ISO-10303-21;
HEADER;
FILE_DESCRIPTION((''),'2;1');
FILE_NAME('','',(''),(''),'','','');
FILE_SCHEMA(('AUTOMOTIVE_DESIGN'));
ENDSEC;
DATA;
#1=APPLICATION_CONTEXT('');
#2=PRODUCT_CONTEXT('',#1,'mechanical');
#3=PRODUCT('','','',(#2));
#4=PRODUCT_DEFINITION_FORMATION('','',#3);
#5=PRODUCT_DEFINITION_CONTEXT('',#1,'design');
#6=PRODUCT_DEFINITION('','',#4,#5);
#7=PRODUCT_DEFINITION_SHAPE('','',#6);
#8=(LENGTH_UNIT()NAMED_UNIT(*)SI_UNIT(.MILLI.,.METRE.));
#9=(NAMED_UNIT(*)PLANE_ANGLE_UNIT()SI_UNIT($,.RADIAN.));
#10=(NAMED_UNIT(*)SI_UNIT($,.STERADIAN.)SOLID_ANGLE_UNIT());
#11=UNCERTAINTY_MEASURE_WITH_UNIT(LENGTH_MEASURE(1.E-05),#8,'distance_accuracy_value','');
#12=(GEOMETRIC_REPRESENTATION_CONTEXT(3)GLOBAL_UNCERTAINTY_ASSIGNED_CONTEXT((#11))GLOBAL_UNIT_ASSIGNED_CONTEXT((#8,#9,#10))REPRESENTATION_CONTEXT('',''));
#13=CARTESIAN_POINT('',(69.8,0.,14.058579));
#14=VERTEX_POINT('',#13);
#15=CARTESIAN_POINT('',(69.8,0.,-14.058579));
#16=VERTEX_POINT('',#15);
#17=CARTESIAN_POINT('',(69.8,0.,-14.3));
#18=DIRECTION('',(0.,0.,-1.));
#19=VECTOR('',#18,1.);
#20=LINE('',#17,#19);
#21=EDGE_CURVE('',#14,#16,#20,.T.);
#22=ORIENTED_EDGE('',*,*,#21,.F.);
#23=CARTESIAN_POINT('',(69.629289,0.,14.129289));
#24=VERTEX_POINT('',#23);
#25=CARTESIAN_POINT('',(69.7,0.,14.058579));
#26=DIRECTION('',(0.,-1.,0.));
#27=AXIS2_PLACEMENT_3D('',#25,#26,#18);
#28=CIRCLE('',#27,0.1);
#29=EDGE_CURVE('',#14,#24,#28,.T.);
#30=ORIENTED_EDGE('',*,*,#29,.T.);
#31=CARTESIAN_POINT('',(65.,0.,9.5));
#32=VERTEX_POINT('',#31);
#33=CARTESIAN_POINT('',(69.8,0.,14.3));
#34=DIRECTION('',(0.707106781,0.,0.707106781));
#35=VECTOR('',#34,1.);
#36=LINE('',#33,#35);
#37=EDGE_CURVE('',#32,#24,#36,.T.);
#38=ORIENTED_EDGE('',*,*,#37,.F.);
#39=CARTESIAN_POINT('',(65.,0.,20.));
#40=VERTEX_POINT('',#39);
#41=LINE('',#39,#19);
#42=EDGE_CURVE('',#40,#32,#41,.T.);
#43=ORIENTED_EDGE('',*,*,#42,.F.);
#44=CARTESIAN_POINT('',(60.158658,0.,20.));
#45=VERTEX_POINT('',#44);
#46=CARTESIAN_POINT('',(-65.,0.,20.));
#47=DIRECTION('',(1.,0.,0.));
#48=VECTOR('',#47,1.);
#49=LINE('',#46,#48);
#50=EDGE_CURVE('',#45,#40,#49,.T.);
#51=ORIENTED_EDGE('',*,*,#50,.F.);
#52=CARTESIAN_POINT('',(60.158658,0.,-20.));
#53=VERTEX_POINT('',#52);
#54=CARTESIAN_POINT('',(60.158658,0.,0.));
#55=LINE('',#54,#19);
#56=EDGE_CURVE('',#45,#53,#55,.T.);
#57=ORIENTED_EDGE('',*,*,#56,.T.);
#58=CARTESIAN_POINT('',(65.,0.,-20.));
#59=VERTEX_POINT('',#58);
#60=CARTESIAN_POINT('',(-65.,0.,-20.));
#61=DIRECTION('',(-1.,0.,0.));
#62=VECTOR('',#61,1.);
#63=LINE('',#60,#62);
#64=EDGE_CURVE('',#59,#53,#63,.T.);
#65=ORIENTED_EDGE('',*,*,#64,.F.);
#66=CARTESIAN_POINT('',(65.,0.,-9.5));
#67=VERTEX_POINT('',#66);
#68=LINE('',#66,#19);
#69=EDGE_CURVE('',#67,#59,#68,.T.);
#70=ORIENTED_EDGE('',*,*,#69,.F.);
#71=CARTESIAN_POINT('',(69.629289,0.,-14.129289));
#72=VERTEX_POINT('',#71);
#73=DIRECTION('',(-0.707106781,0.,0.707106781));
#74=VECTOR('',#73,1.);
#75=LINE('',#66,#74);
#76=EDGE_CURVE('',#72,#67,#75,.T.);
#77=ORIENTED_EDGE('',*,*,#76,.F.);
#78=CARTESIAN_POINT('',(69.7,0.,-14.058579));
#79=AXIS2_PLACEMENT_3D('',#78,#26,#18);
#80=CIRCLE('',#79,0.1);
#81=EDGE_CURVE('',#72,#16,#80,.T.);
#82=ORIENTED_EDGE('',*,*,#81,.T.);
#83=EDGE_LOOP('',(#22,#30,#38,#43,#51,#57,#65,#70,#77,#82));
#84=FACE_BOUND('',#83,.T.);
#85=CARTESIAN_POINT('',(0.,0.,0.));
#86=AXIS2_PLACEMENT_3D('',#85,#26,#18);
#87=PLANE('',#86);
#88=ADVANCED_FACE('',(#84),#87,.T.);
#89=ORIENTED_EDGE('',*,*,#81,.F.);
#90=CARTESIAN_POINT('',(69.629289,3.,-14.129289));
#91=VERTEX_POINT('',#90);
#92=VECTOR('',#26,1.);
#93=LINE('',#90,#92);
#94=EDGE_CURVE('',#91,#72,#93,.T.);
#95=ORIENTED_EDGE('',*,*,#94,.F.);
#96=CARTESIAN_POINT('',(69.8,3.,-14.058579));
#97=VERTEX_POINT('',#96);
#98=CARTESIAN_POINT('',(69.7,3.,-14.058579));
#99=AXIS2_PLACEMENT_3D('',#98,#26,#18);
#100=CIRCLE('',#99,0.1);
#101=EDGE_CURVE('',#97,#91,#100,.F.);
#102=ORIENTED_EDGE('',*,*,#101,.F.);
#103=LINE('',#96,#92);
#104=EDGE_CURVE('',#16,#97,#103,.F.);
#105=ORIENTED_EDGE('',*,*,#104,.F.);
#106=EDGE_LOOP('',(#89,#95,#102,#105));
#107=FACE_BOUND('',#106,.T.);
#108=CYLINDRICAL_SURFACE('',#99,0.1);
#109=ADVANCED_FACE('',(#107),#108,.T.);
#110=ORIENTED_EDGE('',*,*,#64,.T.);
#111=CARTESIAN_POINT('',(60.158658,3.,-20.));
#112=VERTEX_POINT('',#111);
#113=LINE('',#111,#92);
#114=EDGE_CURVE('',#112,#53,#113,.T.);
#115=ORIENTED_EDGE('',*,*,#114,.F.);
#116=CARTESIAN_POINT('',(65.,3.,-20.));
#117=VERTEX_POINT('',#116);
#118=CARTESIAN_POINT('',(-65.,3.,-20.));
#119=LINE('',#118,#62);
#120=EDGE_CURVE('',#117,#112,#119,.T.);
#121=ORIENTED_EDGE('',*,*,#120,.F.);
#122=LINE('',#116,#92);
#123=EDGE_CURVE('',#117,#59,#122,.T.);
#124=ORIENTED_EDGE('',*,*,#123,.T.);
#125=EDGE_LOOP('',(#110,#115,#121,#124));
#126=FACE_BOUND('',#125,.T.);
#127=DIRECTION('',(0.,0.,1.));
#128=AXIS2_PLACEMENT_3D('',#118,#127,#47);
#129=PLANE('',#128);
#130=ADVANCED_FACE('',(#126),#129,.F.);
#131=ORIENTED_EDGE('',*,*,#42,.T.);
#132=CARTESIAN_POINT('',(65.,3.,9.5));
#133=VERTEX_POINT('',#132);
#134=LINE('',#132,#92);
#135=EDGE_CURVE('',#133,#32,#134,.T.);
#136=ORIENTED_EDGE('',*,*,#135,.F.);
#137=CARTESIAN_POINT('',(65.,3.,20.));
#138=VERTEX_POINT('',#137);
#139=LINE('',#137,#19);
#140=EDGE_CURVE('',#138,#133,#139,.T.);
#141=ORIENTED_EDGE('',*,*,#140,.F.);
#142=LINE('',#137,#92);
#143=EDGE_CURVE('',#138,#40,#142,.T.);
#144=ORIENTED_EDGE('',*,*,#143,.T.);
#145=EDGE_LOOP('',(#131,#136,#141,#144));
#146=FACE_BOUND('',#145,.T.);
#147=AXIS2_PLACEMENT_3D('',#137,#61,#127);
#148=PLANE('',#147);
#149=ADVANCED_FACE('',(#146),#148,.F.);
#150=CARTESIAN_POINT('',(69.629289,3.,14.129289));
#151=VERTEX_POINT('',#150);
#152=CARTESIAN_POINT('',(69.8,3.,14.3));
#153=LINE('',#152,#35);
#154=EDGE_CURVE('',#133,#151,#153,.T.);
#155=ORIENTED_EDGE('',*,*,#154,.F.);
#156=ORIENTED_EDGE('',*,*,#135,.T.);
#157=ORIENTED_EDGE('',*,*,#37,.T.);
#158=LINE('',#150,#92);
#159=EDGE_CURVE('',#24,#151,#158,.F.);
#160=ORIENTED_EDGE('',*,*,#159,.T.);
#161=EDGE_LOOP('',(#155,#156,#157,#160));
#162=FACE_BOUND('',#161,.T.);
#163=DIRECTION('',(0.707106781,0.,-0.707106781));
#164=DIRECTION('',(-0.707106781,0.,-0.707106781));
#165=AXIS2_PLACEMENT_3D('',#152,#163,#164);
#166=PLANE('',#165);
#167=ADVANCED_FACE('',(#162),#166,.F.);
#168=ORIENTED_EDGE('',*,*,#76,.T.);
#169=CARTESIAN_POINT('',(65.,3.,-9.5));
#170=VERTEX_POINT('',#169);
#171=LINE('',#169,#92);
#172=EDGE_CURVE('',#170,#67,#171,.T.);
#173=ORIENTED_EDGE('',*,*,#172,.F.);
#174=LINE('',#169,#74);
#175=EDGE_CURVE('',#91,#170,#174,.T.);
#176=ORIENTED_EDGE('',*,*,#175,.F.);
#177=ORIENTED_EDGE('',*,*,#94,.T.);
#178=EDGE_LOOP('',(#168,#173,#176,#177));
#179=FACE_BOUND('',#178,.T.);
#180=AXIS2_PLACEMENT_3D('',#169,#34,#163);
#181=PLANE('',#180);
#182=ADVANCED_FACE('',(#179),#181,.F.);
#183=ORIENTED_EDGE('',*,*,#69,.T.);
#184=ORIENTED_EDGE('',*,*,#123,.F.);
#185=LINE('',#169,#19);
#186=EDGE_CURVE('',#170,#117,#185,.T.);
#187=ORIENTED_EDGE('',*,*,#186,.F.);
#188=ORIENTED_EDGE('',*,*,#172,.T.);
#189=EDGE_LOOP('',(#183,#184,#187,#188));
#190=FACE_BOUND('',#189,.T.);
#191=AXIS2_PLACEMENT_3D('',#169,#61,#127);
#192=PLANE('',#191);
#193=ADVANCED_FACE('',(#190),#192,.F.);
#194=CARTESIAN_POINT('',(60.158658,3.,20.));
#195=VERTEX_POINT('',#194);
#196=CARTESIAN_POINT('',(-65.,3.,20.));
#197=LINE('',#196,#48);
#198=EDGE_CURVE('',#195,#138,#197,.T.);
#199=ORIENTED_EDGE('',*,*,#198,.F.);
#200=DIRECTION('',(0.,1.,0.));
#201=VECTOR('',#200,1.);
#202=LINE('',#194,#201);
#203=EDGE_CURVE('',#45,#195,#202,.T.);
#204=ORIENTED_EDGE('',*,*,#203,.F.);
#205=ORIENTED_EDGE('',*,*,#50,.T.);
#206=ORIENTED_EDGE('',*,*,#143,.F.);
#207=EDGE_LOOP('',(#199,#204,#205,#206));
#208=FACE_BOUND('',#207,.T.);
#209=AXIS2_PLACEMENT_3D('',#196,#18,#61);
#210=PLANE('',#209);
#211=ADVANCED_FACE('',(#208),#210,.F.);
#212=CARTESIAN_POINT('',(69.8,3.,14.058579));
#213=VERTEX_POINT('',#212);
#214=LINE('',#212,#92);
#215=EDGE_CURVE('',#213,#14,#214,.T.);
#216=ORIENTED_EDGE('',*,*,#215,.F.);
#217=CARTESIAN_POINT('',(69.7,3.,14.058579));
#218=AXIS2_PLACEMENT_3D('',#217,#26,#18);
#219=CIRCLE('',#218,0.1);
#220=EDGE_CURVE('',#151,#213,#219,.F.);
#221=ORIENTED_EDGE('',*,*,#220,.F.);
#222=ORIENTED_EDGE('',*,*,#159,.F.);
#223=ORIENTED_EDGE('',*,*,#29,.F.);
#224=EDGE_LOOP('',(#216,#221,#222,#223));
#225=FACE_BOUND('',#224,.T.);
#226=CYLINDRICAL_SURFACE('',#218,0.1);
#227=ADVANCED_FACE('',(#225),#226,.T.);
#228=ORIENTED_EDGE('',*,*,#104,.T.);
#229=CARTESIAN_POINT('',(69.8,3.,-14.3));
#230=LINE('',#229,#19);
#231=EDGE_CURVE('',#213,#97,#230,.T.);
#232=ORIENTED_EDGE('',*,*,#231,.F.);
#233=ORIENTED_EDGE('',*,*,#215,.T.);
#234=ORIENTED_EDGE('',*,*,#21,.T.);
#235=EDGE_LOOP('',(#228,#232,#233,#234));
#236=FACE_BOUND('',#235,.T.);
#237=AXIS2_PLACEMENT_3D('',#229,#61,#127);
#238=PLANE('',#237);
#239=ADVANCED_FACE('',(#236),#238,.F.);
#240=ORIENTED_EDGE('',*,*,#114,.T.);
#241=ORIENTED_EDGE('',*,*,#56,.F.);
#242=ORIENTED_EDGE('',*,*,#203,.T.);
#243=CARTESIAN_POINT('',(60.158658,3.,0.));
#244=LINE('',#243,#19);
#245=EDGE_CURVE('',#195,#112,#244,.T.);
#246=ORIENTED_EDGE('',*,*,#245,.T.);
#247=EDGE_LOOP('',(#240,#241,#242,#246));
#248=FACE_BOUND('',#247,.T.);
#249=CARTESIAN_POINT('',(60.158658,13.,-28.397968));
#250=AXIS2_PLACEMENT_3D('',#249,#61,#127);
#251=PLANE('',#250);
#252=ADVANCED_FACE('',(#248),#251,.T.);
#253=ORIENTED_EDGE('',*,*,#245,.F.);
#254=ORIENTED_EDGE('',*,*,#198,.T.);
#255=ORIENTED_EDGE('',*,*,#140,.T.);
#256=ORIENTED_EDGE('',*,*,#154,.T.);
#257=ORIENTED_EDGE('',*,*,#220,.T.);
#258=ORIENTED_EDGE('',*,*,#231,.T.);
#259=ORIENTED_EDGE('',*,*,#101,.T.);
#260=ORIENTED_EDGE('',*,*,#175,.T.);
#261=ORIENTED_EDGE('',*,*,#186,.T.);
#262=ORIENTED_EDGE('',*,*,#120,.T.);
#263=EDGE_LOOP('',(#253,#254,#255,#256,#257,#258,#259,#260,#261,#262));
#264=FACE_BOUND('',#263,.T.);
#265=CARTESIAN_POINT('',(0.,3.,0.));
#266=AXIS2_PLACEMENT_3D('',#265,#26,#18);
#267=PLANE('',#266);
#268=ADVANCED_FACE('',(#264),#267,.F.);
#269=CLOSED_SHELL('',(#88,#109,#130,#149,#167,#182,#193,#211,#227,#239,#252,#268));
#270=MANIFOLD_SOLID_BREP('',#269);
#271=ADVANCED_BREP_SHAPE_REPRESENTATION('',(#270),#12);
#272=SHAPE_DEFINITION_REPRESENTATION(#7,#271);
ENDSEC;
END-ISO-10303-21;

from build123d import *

# Parameters (mm, degrees)
CROQUIS1_R                 = 11
CROQUIS1_R_2               = 2
CROQUIS1_W                 = 30
CROQUIS1_H                 = 3
SALIENTE_EXTRUIR1_DEPTH    = 3
CROQUIS2_R                 = 13
CROQUIS2_R_2               = 11
SALIENTE_EXTRUIR2_DEPTH    = 4
CROQUIS3_R                 = 13
CROQUIS3_R_2               = 9
SALIENTE_EXTRUIR3_DEPTH    = 2
CHAFL_N1_SIZE              = 2
CHAFL_N2_SIZE              = 10
CORTAR_EXTRUIR1_DEPTH      = 10
CORTAR_EXTRUIR1_DEPTH_BACK = 10
CROQUIS4_W                 = 128.833311542
CROQUIS4_H                 = 58.233807115
REDONDEO1_R                = 0.1


with BuildPart() as part:
    # Croquis1 → Saliente-Extruir1 (new body)
    with BuildSketch(Plane(origin=(0, 0, 0), x_dir=(1, 0, 0), z_dir=(0, 1, 0))):
        Polygon((65, 9.5), (69.8, 14.3), (69.8, -14.3), (65, -9.5), (65, -20), (-65, -20), (-65, 20), (65, 20), align=None)
        with Locations((-50.129942902, 0)):
            Circle(CROQUIS1_R, mode=Mode.SUBTRACT)
        with Locations((-28.595127909, 0)):
            Circle(CROQUIS1_R_2, mode=Mode.SUBTRACT)
        with Locations((-13.595127909, 0)):
            Circle(CROQUIS1_R_2, mode=Mode.SUBTRACT)
        with Locations((50, 0)):
            Circle(CROQUIS1_R_2, mode=Mode.SUBTRACT)
        with Locations((25, 11)):
            Rectangle(CROQUIS1_W, CROQUIS1_H, mode=Mode.SUBTRACT)
        with Locations((25, -11)):
            Rectangle(CROQUIS1_W, CROQUIS1_H, mode=Mode.SUBTRACT)
    extrude(amount=SALIENTE_EXTRUIR1_DEPTH)

    # Croquis2 → Saliente-Extruir2 (add)
    with BuildSketch(Plane(origin=(0, 3, 0), x_dir=(1, 0, 0), z_dir=(0, 1, 0))):
        with Locations((-50.129942902, 0)):
            Circle(CROQUIS2_R)
        with Locations((-50.129942902, 0)):
            Circle(CROQUIS2_R_2, mode=Mode.SUBTRACT)
    extrude(amount=SALIENTE_EXTRUIR2_DEPTH)

    # Croquis3 → Saliente-Extruir3 (add)
    with BuildSketch(Plane(origin=(0, 7, 0), x_dir=(1, 0, 0), z_dir=(0, 1, 0))):
        with Locations((-50.129942902, 0)):
            Circle(CROQUIS3_R)
        with Locations((-50.129942902, 0)):
            Circle(CROQUIS3_R_2, mode=Mode.SUBTRACT)
    extrude(amount=SALIENTE_EXTRUIR3_DEPTH)

    # Chaflán1
    chafl_n1_edges = [part.edges().sort_by_distance(p)[0] for p in [
        (-63.129942902, 9, 0),
    ]]
    chamfer(chafl_n1_edges, length=CHAFL_N1_SIZE)

    # Chaflán2
    chafl_n2_edges = [part.edges().sort_by_distance(p)[0] for p in [
        (-65, 1.5, 20),
        (-65, 1.5, -20),
    ]]
    chamfer(chafl_n2_edges, length=CHAFL_N2_SIZE)

    # Croquis4 → Cortar-Extruir1 (cut, two sides: drawn at the far end of the back side and taken through both)
    with BuildSketch(Plane(origin=(0, 3, 0), x_dir=(1, 0, 0), z_dir=(0, 1, 0)).offset(-CORTAR_EXTRUIR1_DEPTH_BACK)):
        with Locations((-4.257997369, -0.71893589)):
            Rectangle(CROQUIS4_W, CROQUIS4_H)
    extrude(amount=CORTAR_EXTRUIR1_DEPTH + CORTAR_EXTRUIR1_DEPTH_BACK, mode=Mode.SUBTRACT)

    # Redondeo1
    redondeo1_edges = [part.edges().sort_by_distance(p)[0] for p in [
        (69.8, 1.5, -14.3),
        (69.8, 1.5, 14.3),
    ]]
    fillet(redondeo1_edges, radius=REDONDEO1_R)


solid = part.part
